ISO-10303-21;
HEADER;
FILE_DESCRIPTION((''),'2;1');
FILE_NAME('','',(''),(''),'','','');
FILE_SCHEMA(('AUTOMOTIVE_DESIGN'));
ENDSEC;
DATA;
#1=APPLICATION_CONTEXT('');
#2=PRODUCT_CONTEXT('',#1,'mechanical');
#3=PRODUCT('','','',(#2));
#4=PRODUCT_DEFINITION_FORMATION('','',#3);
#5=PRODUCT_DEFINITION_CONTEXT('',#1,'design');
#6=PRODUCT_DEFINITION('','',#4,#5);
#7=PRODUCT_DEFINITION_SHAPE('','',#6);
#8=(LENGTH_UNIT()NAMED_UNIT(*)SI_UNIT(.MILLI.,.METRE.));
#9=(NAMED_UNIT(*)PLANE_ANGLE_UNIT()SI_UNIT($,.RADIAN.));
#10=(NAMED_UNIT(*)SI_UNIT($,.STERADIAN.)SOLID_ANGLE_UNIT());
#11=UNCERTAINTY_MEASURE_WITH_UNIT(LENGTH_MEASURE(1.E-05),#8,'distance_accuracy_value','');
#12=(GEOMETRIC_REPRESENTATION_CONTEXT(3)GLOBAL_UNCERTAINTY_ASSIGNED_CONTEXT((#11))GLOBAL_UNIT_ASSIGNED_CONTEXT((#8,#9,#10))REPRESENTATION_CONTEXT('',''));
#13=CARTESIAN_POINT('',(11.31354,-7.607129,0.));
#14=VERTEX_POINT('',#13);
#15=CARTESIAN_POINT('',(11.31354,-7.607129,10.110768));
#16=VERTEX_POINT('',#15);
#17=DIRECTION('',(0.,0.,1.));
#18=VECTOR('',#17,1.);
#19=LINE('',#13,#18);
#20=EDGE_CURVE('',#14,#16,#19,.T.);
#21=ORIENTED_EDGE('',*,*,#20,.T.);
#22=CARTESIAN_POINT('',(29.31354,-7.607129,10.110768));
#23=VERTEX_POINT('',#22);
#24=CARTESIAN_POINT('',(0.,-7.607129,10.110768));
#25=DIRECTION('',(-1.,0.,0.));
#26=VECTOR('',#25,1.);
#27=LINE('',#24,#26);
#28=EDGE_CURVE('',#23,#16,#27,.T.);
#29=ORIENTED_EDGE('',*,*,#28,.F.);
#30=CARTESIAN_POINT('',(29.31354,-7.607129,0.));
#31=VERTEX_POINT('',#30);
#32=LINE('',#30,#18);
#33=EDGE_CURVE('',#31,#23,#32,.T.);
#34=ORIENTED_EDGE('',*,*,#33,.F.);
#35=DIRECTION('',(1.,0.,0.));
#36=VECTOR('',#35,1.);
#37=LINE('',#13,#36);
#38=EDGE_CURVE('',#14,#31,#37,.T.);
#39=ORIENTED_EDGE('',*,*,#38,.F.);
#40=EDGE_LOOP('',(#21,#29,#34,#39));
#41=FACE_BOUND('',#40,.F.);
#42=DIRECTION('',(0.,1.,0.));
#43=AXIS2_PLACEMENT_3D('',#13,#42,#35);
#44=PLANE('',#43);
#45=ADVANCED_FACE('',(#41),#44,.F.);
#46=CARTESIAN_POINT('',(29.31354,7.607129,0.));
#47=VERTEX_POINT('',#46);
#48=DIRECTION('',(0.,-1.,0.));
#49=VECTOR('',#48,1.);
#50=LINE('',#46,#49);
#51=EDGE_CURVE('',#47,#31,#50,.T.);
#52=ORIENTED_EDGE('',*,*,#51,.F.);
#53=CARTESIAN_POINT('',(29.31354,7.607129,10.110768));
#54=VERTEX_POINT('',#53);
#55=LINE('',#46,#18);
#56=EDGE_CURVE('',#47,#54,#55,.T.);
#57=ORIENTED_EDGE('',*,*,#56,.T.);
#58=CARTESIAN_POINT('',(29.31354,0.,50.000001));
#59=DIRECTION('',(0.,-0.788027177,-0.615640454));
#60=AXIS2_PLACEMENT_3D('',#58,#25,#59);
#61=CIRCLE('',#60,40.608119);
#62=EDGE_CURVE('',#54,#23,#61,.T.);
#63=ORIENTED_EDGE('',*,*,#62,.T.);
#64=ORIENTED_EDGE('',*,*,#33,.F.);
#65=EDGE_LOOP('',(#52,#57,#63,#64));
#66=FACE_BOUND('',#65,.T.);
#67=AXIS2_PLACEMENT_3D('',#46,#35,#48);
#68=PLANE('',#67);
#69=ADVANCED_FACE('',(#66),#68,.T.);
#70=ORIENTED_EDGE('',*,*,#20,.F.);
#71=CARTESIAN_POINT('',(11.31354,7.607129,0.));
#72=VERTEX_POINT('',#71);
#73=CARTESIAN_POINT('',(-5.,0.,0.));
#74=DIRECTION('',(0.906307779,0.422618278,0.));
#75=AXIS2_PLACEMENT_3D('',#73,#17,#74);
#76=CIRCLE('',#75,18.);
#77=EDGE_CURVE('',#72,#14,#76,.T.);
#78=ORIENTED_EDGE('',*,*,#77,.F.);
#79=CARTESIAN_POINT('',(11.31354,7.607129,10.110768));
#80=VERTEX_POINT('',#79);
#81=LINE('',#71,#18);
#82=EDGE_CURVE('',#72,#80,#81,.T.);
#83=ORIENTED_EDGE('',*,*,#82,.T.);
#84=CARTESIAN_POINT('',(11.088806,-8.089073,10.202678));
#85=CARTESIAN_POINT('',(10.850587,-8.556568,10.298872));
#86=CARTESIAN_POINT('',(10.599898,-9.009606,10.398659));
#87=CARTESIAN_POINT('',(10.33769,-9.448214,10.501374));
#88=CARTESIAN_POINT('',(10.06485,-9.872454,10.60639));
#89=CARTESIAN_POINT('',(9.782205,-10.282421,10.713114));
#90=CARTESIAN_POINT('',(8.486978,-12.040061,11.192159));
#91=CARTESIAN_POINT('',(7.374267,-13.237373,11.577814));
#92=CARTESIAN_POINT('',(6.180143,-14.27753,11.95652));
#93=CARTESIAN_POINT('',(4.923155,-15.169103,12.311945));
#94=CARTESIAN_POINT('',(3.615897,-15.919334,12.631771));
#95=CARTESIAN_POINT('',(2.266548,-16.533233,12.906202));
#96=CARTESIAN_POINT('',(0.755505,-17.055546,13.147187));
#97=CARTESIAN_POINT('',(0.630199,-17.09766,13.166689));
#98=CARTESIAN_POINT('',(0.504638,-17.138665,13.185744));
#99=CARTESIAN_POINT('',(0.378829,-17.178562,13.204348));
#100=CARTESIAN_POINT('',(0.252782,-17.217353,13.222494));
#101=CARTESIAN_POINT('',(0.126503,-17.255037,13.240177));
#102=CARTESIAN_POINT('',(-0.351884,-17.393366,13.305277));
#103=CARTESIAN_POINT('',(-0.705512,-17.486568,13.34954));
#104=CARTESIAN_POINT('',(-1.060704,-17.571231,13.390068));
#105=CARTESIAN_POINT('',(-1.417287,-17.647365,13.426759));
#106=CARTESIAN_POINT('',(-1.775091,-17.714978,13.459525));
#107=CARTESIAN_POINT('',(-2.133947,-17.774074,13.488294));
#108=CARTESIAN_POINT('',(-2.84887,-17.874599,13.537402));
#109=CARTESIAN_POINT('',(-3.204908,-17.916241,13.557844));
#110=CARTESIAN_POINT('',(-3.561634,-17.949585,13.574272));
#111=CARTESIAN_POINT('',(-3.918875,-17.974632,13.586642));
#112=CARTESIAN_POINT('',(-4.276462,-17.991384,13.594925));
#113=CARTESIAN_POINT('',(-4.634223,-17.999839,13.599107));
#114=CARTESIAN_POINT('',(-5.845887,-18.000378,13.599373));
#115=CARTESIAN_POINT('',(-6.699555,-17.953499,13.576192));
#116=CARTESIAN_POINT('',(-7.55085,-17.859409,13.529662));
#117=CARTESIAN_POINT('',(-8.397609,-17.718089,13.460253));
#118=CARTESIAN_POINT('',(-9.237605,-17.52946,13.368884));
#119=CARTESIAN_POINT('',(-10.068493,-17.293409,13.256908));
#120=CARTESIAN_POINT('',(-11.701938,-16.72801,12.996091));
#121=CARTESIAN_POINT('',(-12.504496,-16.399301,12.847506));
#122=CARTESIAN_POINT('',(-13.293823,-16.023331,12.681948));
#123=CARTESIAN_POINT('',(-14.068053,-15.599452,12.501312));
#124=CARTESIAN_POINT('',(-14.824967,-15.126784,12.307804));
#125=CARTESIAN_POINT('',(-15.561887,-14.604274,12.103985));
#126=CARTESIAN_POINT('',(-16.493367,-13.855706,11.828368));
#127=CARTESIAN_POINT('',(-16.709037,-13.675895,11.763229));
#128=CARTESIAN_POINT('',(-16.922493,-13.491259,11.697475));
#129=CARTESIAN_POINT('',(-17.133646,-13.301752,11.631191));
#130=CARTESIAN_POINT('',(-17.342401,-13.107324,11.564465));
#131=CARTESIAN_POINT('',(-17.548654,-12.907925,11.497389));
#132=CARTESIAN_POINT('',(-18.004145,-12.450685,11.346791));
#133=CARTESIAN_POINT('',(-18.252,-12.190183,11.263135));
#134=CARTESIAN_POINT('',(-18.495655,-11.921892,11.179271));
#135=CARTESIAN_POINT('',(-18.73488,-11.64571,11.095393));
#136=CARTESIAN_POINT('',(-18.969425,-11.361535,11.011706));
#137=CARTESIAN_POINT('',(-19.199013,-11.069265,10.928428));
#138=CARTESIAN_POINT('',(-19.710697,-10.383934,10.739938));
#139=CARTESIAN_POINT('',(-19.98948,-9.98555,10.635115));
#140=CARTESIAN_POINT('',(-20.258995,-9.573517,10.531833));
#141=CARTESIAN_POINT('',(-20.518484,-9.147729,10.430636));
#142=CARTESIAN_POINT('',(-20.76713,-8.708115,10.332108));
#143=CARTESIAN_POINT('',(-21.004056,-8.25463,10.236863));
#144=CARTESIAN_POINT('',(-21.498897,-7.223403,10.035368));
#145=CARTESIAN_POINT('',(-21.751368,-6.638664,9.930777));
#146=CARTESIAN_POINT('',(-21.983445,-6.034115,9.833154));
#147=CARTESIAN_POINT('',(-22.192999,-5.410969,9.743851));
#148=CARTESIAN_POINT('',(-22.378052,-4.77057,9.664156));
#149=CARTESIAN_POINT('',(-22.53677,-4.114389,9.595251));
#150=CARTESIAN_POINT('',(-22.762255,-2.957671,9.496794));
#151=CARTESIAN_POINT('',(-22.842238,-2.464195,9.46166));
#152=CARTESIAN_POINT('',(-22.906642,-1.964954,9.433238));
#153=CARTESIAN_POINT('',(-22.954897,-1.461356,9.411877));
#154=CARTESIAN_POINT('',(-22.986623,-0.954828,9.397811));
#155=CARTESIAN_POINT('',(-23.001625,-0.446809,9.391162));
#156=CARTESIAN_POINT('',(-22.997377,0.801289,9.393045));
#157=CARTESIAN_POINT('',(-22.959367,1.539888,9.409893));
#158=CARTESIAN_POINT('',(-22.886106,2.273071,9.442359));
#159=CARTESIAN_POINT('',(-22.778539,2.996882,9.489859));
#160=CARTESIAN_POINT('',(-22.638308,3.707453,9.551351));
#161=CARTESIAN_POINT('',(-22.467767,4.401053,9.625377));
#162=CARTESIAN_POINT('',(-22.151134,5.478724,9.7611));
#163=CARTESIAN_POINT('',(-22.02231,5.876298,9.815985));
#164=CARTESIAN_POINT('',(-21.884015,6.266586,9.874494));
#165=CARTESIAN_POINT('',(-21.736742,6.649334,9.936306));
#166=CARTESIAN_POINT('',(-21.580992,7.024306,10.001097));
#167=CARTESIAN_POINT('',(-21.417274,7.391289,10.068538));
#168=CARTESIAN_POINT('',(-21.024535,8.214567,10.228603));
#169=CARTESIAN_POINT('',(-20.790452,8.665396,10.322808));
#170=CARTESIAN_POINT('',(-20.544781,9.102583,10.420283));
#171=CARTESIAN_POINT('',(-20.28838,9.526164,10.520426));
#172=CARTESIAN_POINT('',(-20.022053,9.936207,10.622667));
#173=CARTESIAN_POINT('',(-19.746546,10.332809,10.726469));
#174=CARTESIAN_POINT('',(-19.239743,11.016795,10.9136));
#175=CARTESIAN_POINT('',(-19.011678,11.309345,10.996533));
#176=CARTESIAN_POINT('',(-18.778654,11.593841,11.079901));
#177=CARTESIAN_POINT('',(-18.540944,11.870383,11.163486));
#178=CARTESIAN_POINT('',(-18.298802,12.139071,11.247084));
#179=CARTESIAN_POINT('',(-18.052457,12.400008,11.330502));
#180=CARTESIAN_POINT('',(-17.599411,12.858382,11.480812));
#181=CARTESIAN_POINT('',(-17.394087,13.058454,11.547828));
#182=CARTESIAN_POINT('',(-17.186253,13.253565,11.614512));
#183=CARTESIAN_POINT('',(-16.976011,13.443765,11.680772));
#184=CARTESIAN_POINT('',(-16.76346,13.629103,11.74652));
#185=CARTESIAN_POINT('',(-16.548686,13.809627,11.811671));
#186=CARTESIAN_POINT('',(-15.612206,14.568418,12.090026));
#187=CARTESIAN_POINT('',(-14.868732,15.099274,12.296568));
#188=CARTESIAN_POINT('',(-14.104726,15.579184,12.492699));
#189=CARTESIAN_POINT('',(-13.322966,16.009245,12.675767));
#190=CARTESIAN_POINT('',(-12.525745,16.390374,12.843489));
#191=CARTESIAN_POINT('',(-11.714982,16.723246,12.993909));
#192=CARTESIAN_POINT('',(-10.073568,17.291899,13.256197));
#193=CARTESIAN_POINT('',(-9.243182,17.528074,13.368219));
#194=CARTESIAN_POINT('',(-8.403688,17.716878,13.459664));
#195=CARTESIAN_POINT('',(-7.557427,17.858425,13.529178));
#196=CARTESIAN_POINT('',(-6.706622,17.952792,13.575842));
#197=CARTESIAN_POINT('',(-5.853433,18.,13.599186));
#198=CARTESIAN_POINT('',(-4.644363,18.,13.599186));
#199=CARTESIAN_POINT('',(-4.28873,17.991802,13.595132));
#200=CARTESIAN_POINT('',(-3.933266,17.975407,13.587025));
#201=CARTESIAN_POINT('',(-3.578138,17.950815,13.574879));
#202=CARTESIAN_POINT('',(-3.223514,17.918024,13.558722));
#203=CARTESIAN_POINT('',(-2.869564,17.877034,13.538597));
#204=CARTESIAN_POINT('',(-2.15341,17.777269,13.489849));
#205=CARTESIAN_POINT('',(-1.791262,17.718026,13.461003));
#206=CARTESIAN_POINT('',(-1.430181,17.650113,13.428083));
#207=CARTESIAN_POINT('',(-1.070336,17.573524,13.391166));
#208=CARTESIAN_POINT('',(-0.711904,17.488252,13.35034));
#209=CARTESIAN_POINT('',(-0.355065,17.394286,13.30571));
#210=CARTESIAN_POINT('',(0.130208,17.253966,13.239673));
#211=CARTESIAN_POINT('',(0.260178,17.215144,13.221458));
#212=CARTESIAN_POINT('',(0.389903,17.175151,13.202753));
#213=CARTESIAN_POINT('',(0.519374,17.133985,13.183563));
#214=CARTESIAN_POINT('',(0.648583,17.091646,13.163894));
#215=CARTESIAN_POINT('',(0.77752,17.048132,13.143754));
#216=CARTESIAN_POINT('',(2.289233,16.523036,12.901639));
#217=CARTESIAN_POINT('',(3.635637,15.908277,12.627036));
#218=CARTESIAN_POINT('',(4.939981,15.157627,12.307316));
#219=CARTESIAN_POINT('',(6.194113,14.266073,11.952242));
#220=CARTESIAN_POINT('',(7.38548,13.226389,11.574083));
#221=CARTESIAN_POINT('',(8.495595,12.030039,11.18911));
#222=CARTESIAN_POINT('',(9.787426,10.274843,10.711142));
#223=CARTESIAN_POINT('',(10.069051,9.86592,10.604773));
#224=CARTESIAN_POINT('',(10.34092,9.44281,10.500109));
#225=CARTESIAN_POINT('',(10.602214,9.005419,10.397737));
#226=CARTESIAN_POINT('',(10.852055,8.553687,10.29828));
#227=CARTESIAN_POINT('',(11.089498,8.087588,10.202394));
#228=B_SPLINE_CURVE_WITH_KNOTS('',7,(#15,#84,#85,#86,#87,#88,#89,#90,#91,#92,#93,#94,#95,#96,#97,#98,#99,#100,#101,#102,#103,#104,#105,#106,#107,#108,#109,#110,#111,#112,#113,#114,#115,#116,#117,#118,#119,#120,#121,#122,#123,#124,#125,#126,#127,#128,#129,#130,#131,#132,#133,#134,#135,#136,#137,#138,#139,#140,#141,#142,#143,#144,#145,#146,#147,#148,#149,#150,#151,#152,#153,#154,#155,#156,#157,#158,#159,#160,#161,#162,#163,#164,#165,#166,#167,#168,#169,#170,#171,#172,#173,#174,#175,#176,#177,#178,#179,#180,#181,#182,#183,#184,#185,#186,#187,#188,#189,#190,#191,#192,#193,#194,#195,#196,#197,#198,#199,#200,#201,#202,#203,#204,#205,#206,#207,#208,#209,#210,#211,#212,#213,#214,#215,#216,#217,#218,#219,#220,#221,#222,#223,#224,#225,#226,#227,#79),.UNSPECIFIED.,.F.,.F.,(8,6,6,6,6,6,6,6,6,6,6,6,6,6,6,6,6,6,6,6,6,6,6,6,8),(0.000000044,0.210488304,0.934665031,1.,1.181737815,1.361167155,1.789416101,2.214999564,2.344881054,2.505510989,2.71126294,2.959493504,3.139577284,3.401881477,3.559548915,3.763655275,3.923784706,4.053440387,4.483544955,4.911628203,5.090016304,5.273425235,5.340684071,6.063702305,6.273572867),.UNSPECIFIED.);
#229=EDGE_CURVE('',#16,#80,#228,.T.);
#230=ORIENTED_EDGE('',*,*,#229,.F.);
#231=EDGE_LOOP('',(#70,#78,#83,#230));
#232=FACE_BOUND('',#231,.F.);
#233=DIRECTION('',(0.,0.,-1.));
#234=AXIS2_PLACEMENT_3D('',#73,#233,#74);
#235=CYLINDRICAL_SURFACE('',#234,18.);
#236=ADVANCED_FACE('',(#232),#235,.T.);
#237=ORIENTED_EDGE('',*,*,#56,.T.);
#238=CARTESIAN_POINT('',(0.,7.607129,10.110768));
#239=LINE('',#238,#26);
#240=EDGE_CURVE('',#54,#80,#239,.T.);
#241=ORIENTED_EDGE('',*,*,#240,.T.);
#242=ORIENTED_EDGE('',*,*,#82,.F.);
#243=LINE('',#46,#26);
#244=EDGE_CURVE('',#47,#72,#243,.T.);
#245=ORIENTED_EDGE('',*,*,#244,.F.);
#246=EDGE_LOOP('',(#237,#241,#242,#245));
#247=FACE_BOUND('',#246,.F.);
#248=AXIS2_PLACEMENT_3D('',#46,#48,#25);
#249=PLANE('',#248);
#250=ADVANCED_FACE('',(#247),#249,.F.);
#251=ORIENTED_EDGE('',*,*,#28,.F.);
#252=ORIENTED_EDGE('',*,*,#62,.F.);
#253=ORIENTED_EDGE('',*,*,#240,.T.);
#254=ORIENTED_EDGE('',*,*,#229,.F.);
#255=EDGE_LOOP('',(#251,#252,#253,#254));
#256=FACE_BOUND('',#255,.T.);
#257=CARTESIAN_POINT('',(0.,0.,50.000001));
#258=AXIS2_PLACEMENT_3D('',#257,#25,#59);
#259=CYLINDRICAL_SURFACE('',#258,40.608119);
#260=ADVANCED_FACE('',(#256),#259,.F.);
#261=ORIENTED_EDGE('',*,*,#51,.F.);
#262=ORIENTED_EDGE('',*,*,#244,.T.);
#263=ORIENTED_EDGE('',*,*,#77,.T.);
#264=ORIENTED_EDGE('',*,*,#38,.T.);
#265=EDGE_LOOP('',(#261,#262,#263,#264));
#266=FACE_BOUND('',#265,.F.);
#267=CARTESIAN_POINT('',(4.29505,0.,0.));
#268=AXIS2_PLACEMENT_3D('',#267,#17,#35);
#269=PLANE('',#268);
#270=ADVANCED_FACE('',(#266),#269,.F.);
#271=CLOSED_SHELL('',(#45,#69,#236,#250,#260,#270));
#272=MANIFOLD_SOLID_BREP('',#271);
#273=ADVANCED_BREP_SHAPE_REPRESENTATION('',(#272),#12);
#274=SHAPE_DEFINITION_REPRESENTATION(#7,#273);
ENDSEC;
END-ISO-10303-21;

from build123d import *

# Parameters (mm, degrees)
PAD_DEPTH         = 25
POCKET_DEPTH      = 23.001
POCKET_DEPTH_BACK = -29.31454


with BuildPart() as part:
    # Sketch001 → Pad (new body)
    with BuildSketch(Plane.XY):
        with BuildLine():
            Line((29.31354, 7.607129), (11.31354, 7.607129))
            ThreePointArc((11.31354, 7.607129), (-23, 0), (11.31354, -7.607129))
            Line((11.31354, -7.607129), (29.31354, -7.607129))
            Line((29.31354, 7.607129), (29.31354, -7.607129))
        make_face()
    extrude(amount=PAD_DEPTH)

    # Sketch → Pocket (cut, two sides)
    with BuildSketch(Plane.YZ) as pocket_sk:
        with BuildLine():
            ThreePointArc((-32.000301, 25), (0, 9.391882), (32.000301, 25))
            Line((0, 50), (32.000301, 25))
            Line((-32.000301, 25), (0, 50))
        make_face()
    extrude(amount=-POCKET_DEPTH, mode=Mode.SUBTRACT)
    extrude(pocket_sk.sketch, amount=-POCKET_DEPTH_BACK, mode=Mode.SUBTRACT)


solid = part.part
